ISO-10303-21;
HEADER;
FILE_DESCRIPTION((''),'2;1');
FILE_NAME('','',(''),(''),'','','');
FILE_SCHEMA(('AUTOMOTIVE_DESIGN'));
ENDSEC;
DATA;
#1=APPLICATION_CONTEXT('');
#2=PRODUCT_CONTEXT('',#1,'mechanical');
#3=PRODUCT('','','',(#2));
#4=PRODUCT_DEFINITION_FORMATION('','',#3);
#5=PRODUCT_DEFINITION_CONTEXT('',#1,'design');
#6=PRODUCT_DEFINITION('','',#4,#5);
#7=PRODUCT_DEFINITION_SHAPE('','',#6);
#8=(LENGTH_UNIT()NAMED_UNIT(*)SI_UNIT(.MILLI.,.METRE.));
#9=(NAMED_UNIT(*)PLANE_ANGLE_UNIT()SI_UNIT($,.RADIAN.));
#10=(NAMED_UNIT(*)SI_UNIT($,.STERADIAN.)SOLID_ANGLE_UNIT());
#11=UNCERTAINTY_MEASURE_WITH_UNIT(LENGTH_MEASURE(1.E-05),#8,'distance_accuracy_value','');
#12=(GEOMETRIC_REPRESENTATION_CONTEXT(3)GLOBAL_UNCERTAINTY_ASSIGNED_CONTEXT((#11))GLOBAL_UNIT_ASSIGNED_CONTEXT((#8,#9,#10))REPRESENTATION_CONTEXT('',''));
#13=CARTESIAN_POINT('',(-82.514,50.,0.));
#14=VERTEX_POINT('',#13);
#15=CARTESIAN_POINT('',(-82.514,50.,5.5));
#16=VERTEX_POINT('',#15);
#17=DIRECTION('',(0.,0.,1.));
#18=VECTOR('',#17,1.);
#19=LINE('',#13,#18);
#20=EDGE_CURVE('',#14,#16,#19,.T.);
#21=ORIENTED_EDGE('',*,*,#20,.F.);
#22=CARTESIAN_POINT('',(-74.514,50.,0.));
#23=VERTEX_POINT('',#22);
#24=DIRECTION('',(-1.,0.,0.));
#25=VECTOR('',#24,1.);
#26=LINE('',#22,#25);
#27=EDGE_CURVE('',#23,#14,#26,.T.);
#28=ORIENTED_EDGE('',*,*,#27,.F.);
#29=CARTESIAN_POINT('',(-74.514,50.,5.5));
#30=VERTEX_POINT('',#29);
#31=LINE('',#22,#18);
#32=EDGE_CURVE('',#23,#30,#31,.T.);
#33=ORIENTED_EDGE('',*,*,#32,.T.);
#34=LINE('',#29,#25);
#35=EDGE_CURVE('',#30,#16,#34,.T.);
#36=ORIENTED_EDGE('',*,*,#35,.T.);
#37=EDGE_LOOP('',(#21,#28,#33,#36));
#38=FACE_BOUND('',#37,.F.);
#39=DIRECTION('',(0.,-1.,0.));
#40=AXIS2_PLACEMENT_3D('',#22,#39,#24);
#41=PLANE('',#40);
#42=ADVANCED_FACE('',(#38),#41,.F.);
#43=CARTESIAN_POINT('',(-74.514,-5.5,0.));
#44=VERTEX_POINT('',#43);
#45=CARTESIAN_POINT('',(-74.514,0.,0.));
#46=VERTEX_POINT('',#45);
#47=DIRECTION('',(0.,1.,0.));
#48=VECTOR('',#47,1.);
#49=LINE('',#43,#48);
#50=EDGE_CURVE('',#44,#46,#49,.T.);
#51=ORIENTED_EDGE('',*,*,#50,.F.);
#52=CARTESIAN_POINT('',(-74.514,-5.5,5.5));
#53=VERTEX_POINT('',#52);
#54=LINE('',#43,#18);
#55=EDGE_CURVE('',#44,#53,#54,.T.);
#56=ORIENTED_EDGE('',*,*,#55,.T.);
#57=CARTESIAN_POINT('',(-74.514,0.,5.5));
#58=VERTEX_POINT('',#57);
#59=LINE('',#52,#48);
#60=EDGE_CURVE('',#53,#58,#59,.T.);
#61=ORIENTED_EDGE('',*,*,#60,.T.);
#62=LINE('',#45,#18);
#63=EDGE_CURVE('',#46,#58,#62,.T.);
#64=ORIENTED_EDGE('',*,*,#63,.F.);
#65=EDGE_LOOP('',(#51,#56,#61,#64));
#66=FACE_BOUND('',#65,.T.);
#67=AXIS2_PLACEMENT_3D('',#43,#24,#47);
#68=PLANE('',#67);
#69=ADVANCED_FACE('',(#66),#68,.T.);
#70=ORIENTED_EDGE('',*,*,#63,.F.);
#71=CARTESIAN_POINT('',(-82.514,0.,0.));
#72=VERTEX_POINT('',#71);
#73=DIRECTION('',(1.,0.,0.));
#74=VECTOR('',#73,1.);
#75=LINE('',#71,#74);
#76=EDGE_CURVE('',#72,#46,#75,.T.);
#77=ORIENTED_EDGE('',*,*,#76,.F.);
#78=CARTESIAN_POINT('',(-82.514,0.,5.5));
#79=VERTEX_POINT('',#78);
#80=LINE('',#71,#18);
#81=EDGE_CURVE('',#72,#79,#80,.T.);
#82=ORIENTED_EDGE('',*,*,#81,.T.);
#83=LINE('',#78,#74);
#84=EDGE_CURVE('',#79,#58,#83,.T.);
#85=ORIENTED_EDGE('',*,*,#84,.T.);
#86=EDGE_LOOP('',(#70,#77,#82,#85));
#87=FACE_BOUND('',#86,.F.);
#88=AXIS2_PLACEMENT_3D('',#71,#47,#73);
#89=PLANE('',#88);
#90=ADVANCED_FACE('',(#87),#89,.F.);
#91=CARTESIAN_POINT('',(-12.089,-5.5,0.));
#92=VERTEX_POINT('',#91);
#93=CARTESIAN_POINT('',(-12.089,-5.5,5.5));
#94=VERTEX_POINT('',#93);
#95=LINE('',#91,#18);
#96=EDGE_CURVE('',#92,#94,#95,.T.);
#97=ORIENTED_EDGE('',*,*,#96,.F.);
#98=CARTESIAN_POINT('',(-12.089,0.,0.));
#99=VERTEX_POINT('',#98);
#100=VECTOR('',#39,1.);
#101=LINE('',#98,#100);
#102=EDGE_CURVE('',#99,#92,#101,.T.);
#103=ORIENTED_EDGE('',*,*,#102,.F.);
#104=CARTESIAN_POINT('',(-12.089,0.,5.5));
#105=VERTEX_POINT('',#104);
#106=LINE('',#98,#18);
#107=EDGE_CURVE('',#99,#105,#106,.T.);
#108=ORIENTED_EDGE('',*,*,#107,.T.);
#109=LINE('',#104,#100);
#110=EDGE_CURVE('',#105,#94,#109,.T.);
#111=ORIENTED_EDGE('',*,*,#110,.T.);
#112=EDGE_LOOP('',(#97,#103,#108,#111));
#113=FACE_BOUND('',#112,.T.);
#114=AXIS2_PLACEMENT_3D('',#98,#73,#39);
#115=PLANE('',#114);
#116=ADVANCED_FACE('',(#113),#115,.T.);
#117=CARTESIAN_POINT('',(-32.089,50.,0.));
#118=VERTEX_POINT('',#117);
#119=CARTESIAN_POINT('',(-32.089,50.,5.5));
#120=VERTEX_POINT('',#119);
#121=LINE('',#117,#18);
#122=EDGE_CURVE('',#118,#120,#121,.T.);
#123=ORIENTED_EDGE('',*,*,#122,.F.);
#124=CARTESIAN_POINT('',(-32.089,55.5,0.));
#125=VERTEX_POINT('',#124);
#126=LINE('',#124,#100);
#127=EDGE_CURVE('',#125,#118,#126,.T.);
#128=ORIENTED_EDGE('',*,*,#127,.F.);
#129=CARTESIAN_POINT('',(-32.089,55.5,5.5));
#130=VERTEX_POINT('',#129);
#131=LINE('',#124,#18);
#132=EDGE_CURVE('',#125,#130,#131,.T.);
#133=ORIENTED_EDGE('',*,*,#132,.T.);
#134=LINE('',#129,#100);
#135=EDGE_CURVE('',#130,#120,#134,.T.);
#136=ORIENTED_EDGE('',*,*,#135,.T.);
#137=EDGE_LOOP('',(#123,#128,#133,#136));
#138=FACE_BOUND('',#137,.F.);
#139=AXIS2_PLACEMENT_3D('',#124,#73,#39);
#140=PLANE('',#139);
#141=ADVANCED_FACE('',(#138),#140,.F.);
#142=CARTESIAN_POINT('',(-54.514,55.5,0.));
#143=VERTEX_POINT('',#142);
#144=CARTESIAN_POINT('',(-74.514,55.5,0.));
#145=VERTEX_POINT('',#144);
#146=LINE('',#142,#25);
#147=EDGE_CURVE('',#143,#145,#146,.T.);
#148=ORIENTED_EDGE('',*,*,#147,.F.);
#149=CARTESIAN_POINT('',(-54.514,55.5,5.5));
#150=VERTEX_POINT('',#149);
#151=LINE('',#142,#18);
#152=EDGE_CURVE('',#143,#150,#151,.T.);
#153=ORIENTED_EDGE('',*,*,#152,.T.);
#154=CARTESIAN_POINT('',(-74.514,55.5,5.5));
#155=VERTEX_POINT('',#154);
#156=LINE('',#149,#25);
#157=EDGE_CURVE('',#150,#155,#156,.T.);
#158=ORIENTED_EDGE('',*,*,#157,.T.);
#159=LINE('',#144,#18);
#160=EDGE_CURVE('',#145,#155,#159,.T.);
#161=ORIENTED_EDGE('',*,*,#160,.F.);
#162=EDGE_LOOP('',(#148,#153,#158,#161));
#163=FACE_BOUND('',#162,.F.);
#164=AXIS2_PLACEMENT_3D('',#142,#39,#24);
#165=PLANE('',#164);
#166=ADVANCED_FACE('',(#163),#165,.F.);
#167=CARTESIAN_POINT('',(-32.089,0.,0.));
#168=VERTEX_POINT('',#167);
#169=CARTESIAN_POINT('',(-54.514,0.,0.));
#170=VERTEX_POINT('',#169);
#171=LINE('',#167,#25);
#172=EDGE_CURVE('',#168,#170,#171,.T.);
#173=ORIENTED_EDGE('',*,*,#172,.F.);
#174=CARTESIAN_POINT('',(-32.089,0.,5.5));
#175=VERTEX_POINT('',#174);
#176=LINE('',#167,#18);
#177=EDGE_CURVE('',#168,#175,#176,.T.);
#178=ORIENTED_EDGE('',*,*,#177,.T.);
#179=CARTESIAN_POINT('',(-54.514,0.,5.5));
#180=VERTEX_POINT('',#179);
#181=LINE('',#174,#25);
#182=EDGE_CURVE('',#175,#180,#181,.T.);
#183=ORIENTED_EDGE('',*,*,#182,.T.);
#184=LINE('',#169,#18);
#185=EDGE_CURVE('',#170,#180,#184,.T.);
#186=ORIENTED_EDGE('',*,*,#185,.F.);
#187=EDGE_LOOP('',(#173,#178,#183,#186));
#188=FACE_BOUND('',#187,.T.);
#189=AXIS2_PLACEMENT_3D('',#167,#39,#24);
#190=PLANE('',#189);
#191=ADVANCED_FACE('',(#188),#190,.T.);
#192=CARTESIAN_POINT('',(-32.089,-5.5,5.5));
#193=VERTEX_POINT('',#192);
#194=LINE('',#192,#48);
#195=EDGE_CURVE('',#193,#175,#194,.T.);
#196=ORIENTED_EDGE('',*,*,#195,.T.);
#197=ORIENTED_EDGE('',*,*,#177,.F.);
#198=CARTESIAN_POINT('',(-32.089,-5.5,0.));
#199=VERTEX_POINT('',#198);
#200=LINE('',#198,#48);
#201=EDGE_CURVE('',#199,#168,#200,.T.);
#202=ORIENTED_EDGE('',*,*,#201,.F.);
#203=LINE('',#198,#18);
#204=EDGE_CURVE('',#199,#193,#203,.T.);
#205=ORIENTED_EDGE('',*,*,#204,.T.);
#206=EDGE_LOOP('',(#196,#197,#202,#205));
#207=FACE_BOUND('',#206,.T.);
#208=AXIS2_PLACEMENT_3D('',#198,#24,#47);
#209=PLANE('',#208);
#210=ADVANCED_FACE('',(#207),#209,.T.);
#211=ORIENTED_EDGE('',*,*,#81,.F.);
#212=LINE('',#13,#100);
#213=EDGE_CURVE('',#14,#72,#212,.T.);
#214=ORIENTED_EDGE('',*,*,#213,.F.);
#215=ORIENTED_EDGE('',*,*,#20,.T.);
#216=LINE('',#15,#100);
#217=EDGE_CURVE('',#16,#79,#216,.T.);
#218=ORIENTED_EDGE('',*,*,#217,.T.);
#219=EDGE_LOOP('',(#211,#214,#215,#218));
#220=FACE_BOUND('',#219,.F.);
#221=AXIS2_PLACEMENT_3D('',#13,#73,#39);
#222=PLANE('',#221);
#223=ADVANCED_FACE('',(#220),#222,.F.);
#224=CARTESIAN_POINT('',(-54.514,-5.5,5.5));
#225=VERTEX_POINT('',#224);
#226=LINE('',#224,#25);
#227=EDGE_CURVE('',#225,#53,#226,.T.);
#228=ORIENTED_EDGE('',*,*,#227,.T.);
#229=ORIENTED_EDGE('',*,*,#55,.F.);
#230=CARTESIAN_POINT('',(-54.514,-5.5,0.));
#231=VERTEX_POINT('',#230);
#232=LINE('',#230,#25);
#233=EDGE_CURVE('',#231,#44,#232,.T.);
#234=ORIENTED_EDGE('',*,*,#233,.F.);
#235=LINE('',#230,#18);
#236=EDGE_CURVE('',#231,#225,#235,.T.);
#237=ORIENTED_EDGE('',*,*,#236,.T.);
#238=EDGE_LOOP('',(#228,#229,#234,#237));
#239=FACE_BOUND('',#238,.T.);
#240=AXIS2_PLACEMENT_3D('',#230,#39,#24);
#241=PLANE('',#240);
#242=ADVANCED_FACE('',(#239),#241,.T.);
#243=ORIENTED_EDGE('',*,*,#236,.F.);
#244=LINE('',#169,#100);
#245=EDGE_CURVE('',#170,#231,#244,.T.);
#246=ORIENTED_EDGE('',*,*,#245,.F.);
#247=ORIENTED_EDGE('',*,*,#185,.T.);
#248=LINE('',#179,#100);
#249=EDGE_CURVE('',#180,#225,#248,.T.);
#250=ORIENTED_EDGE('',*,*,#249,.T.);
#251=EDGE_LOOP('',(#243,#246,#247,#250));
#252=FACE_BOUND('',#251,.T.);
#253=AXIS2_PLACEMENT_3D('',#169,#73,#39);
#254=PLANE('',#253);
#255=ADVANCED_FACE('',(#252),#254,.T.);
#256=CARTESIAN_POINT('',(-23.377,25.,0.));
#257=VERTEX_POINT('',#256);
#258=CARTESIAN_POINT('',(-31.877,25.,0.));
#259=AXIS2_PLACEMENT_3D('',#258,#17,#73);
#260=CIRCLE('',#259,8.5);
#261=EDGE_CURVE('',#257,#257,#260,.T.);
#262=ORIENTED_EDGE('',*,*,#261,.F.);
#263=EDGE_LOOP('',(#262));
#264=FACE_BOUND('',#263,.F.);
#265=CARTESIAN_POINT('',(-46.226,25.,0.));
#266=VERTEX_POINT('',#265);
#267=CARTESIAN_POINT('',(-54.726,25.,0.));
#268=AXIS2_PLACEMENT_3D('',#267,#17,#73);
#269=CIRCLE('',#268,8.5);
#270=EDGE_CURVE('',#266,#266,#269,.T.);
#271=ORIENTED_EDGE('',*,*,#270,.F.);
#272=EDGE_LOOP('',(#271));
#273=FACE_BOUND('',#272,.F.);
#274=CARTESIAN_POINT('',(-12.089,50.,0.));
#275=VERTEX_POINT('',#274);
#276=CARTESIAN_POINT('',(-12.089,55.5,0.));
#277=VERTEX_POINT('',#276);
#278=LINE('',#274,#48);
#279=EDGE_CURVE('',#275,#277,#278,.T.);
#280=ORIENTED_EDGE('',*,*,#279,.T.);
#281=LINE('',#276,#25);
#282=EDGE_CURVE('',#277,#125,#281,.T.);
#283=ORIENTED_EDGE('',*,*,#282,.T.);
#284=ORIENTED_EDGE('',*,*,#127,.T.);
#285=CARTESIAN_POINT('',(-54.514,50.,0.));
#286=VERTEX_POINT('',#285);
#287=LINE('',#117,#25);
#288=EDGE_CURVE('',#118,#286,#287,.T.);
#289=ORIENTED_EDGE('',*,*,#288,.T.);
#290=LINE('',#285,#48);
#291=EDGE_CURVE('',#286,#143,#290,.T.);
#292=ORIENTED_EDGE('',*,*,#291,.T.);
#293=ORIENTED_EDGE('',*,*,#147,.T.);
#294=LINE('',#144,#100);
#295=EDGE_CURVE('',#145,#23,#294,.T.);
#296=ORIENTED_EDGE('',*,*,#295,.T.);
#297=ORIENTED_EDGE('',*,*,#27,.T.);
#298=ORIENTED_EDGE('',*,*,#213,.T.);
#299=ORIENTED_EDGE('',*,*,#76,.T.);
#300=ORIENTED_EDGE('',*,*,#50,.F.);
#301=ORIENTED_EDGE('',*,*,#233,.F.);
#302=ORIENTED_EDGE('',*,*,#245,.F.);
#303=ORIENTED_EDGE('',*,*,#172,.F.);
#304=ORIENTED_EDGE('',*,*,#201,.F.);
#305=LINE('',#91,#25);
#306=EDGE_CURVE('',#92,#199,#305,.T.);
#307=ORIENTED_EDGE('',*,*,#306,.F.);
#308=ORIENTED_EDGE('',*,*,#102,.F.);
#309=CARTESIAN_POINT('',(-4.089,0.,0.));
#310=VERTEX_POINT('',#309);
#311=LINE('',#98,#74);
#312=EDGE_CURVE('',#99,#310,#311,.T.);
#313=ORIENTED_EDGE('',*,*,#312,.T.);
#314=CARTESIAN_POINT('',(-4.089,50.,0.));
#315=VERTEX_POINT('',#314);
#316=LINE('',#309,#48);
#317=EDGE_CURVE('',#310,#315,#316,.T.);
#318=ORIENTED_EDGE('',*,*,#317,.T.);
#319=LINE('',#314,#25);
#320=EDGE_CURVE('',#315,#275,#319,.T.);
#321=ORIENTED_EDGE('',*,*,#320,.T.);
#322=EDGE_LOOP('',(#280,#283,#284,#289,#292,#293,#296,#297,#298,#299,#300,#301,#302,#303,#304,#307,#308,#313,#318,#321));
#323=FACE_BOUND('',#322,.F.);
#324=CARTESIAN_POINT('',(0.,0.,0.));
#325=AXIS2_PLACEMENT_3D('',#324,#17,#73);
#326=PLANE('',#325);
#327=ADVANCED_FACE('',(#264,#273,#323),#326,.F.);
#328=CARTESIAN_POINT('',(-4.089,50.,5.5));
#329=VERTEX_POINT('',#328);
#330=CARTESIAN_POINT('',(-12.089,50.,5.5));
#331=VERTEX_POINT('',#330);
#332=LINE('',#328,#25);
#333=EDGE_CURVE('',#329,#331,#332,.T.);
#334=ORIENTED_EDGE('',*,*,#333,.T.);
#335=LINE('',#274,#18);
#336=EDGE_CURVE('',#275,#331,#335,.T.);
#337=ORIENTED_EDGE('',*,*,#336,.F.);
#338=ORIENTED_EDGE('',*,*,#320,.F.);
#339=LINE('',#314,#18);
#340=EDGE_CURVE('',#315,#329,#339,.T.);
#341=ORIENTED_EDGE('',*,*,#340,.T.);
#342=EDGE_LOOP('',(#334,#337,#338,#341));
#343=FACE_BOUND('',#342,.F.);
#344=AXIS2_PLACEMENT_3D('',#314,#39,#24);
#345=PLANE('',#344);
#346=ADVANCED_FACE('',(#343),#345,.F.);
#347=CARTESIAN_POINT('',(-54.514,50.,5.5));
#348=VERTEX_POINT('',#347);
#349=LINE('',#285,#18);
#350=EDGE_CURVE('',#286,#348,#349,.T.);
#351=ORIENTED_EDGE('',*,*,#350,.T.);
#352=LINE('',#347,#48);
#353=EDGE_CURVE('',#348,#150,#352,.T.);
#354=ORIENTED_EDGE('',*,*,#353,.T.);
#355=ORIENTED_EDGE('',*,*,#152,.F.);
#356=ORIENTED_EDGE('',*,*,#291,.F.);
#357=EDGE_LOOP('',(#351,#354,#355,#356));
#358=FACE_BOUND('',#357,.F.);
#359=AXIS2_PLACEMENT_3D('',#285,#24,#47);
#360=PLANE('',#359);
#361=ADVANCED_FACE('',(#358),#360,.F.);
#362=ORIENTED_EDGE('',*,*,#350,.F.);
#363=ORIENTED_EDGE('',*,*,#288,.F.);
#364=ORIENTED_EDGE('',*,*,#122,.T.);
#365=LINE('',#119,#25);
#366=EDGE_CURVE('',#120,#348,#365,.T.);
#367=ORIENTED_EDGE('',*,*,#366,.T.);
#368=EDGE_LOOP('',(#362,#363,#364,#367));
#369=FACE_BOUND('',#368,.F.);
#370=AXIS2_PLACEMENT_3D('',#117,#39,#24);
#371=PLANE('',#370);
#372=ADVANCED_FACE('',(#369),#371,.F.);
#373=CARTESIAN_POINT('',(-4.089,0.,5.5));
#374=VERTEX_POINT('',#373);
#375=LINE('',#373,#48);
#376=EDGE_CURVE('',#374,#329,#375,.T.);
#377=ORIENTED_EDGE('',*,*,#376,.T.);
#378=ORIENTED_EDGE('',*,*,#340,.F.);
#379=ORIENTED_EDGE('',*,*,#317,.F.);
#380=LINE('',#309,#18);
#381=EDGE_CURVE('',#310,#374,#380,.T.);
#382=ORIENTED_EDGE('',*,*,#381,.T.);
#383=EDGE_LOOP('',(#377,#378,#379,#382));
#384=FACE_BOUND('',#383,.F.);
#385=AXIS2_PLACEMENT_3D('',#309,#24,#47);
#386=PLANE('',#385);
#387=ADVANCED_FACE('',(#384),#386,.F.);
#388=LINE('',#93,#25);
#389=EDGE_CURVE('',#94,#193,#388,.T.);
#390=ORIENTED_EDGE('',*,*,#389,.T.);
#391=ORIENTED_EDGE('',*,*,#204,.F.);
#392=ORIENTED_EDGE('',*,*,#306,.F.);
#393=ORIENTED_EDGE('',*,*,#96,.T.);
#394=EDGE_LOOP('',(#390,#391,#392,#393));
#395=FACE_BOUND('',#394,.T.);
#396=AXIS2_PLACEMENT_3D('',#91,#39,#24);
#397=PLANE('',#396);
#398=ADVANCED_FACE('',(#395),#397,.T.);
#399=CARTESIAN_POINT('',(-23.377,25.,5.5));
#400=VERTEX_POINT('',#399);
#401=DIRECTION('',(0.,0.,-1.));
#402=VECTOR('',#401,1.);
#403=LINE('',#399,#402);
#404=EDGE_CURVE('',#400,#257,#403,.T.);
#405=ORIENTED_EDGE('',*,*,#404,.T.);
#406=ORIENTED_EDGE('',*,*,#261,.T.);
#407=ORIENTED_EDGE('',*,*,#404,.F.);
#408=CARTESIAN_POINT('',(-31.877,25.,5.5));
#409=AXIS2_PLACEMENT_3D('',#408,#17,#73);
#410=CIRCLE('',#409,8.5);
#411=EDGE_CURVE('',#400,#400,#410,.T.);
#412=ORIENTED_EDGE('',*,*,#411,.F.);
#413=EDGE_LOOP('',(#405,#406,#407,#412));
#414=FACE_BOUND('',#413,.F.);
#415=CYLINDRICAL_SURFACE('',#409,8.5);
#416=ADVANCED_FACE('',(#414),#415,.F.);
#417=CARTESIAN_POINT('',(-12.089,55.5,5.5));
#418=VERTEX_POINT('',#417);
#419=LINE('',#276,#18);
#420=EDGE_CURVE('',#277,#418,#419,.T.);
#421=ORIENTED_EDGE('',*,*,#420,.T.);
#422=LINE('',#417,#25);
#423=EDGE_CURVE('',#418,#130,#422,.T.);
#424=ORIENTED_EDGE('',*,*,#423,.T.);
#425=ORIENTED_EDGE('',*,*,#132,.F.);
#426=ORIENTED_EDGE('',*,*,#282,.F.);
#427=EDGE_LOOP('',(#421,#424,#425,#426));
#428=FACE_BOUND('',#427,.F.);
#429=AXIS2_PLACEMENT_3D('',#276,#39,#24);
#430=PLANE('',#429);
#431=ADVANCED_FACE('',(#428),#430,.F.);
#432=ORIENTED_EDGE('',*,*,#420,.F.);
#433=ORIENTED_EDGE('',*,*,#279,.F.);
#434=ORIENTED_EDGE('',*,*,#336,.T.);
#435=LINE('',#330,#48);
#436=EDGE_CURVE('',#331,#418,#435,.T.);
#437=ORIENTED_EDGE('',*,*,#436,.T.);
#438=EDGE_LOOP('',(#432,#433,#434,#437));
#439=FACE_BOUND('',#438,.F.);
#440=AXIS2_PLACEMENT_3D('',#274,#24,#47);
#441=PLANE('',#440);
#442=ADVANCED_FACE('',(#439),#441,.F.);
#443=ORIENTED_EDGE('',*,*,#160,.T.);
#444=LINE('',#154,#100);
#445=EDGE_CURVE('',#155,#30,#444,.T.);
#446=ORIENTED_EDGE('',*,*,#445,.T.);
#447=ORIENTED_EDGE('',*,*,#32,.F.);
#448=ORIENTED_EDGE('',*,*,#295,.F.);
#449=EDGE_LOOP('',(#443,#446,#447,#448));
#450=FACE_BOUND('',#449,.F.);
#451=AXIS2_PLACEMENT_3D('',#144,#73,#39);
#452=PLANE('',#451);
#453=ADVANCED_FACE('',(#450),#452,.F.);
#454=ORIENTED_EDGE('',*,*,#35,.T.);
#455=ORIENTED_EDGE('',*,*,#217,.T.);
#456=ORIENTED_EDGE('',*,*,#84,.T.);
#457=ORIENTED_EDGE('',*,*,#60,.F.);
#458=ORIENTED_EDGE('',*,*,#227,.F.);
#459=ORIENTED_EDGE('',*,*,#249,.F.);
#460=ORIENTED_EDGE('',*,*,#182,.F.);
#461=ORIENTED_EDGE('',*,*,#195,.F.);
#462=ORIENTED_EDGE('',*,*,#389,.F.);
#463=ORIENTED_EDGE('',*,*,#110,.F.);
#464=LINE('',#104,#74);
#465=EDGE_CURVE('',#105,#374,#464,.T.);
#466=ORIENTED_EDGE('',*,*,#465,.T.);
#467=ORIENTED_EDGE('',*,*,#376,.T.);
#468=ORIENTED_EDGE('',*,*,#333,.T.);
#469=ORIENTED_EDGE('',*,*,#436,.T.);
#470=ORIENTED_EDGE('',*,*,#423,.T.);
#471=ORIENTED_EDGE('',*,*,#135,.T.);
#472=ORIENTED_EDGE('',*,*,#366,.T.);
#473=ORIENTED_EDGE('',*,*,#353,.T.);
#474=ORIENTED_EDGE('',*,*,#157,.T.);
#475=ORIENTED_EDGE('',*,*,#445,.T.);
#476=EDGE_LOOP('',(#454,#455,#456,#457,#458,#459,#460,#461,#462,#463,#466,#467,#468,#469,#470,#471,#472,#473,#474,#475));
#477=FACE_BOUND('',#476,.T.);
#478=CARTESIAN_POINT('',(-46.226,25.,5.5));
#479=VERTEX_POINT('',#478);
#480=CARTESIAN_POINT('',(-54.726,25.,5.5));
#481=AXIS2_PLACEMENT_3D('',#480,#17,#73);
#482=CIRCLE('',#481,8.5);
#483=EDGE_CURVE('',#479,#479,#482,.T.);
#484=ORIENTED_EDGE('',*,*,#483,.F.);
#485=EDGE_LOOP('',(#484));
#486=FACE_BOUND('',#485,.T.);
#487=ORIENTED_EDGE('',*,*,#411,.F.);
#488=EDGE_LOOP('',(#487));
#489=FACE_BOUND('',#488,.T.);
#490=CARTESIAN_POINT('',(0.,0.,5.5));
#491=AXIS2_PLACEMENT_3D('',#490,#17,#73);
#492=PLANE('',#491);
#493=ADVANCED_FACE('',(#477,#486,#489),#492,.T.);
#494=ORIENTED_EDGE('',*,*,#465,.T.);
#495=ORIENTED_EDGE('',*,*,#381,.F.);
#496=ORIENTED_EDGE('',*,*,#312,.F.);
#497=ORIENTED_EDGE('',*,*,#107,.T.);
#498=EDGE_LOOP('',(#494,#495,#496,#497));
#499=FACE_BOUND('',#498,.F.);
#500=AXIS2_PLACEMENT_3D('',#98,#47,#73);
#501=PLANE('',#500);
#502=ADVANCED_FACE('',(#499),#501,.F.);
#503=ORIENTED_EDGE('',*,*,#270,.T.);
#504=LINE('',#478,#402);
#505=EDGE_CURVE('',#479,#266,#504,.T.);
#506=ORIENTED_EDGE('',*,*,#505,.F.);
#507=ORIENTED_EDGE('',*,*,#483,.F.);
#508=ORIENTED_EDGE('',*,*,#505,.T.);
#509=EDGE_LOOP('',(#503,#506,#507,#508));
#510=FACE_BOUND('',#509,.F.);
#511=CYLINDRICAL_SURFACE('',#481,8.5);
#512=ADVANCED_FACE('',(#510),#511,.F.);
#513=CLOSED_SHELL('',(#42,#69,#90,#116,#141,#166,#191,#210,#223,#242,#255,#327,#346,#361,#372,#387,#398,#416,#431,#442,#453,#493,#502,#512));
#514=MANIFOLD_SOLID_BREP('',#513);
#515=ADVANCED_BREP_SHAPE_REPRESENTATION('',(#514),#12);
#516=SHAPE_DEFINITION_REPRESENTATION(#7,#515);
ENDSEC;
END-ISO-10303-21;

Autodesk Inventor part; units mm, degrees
ref_plane "YZ Plane" through (0, 0, 0) normal (1, 0, 0) x (0, 1, 0)
ref_plane "XZ Plane" through (0, 0, 0) normal (0, 1, 0) x (-1, 0, 0)
ref_plane "XY Plane" through (0, 0, 0) normal (0, 0, 1) x (1, 0, 0)
sketch "Sketch1" plane through (0, 0, 0) normal (0, 0, 1) x (1, 0, 0)
  line L0 (-12.089, 0) -> (-12.089, -5.5)
  line L1 (-12.089, -5.5) -> (-32.089, -5.5)
  line L2 (-32.089, -5.5) -> (-32.089, 0)
  line L3 (-54.514, 0) -> (-54.514, -5.5)
  line L4 (-54.514, -5.5) -> (-74.514, -5.5)
  line L5 (-74.514, -5.5) -> (-74.514, 0)
  line L6 (-32.089, 0) -> (-54.514, 0)
  line L7 (-12.089, 50) -> (-12.089, 55.5)
  line L8 (-12.089, 55.5) -> (-32.089, 55.5)
  line L9 (-32.089, 55.5) -> (-32.089, 50)
  line L10 (-54.514, 50) -> (-54.514, 55.5)
  line L11 (-54.514, 55.5) -> (-74.514, 55.5)
  line L12 (-74.514, 55.5) -> (-74.514, 50)
  line L13 (-32.089, 50) -> (-54.514, 50)
  line L14 (-12.089, 0) -> (-4.089, 0)
  line L15 (-4.089, 0) -> (-4.089, 50)
  line L16 (-4.089, 50) -> (-12.089, 50)
  line L17 (-74.514, 50) -> (-82.514, 50)
  line L18 (-82.514, 50) -> (-82.514, 0)
  line L19 (-82.514, 0) -> (-74.514, 0)
  circle A0 centre (-31.877, 25) radius 8.5
  circle A1 centre (-54.726, 25) radius 8.5
  dimension "d2" = 5.5
  dimension "d3" = 20
  dimension "d4" = 5.5
  dimension "d5" = 20
  dimension "d6" = 90
  dimension "d18" = 8
  dimension "d20" = 8
  dimension "d22" = 17
extrude "Extrusion1" add sketch "Sketch1" along normal blind 5.5 contours L0 L1 L2 L6 L3 L4 L5 L19 L18 L17 L12 L11 L10 L13 L9 L8 L7 L16 L15 L14 | A0 | A1
sketch "Sketch3" plane through (0, 0, 5.5) normal (0, 0, 1) x (1, 0, 0)
  circle A0 centre (-31.877, 25) radius 8.5
  circle A1 centre (-54.726, 25) radius 8.5
  point P0 (0, 0)
  dimension "d23" = 17
extrude "Extrusion2" cut sketch "Sketch3" against normal blind 10
properties part number "lado"
